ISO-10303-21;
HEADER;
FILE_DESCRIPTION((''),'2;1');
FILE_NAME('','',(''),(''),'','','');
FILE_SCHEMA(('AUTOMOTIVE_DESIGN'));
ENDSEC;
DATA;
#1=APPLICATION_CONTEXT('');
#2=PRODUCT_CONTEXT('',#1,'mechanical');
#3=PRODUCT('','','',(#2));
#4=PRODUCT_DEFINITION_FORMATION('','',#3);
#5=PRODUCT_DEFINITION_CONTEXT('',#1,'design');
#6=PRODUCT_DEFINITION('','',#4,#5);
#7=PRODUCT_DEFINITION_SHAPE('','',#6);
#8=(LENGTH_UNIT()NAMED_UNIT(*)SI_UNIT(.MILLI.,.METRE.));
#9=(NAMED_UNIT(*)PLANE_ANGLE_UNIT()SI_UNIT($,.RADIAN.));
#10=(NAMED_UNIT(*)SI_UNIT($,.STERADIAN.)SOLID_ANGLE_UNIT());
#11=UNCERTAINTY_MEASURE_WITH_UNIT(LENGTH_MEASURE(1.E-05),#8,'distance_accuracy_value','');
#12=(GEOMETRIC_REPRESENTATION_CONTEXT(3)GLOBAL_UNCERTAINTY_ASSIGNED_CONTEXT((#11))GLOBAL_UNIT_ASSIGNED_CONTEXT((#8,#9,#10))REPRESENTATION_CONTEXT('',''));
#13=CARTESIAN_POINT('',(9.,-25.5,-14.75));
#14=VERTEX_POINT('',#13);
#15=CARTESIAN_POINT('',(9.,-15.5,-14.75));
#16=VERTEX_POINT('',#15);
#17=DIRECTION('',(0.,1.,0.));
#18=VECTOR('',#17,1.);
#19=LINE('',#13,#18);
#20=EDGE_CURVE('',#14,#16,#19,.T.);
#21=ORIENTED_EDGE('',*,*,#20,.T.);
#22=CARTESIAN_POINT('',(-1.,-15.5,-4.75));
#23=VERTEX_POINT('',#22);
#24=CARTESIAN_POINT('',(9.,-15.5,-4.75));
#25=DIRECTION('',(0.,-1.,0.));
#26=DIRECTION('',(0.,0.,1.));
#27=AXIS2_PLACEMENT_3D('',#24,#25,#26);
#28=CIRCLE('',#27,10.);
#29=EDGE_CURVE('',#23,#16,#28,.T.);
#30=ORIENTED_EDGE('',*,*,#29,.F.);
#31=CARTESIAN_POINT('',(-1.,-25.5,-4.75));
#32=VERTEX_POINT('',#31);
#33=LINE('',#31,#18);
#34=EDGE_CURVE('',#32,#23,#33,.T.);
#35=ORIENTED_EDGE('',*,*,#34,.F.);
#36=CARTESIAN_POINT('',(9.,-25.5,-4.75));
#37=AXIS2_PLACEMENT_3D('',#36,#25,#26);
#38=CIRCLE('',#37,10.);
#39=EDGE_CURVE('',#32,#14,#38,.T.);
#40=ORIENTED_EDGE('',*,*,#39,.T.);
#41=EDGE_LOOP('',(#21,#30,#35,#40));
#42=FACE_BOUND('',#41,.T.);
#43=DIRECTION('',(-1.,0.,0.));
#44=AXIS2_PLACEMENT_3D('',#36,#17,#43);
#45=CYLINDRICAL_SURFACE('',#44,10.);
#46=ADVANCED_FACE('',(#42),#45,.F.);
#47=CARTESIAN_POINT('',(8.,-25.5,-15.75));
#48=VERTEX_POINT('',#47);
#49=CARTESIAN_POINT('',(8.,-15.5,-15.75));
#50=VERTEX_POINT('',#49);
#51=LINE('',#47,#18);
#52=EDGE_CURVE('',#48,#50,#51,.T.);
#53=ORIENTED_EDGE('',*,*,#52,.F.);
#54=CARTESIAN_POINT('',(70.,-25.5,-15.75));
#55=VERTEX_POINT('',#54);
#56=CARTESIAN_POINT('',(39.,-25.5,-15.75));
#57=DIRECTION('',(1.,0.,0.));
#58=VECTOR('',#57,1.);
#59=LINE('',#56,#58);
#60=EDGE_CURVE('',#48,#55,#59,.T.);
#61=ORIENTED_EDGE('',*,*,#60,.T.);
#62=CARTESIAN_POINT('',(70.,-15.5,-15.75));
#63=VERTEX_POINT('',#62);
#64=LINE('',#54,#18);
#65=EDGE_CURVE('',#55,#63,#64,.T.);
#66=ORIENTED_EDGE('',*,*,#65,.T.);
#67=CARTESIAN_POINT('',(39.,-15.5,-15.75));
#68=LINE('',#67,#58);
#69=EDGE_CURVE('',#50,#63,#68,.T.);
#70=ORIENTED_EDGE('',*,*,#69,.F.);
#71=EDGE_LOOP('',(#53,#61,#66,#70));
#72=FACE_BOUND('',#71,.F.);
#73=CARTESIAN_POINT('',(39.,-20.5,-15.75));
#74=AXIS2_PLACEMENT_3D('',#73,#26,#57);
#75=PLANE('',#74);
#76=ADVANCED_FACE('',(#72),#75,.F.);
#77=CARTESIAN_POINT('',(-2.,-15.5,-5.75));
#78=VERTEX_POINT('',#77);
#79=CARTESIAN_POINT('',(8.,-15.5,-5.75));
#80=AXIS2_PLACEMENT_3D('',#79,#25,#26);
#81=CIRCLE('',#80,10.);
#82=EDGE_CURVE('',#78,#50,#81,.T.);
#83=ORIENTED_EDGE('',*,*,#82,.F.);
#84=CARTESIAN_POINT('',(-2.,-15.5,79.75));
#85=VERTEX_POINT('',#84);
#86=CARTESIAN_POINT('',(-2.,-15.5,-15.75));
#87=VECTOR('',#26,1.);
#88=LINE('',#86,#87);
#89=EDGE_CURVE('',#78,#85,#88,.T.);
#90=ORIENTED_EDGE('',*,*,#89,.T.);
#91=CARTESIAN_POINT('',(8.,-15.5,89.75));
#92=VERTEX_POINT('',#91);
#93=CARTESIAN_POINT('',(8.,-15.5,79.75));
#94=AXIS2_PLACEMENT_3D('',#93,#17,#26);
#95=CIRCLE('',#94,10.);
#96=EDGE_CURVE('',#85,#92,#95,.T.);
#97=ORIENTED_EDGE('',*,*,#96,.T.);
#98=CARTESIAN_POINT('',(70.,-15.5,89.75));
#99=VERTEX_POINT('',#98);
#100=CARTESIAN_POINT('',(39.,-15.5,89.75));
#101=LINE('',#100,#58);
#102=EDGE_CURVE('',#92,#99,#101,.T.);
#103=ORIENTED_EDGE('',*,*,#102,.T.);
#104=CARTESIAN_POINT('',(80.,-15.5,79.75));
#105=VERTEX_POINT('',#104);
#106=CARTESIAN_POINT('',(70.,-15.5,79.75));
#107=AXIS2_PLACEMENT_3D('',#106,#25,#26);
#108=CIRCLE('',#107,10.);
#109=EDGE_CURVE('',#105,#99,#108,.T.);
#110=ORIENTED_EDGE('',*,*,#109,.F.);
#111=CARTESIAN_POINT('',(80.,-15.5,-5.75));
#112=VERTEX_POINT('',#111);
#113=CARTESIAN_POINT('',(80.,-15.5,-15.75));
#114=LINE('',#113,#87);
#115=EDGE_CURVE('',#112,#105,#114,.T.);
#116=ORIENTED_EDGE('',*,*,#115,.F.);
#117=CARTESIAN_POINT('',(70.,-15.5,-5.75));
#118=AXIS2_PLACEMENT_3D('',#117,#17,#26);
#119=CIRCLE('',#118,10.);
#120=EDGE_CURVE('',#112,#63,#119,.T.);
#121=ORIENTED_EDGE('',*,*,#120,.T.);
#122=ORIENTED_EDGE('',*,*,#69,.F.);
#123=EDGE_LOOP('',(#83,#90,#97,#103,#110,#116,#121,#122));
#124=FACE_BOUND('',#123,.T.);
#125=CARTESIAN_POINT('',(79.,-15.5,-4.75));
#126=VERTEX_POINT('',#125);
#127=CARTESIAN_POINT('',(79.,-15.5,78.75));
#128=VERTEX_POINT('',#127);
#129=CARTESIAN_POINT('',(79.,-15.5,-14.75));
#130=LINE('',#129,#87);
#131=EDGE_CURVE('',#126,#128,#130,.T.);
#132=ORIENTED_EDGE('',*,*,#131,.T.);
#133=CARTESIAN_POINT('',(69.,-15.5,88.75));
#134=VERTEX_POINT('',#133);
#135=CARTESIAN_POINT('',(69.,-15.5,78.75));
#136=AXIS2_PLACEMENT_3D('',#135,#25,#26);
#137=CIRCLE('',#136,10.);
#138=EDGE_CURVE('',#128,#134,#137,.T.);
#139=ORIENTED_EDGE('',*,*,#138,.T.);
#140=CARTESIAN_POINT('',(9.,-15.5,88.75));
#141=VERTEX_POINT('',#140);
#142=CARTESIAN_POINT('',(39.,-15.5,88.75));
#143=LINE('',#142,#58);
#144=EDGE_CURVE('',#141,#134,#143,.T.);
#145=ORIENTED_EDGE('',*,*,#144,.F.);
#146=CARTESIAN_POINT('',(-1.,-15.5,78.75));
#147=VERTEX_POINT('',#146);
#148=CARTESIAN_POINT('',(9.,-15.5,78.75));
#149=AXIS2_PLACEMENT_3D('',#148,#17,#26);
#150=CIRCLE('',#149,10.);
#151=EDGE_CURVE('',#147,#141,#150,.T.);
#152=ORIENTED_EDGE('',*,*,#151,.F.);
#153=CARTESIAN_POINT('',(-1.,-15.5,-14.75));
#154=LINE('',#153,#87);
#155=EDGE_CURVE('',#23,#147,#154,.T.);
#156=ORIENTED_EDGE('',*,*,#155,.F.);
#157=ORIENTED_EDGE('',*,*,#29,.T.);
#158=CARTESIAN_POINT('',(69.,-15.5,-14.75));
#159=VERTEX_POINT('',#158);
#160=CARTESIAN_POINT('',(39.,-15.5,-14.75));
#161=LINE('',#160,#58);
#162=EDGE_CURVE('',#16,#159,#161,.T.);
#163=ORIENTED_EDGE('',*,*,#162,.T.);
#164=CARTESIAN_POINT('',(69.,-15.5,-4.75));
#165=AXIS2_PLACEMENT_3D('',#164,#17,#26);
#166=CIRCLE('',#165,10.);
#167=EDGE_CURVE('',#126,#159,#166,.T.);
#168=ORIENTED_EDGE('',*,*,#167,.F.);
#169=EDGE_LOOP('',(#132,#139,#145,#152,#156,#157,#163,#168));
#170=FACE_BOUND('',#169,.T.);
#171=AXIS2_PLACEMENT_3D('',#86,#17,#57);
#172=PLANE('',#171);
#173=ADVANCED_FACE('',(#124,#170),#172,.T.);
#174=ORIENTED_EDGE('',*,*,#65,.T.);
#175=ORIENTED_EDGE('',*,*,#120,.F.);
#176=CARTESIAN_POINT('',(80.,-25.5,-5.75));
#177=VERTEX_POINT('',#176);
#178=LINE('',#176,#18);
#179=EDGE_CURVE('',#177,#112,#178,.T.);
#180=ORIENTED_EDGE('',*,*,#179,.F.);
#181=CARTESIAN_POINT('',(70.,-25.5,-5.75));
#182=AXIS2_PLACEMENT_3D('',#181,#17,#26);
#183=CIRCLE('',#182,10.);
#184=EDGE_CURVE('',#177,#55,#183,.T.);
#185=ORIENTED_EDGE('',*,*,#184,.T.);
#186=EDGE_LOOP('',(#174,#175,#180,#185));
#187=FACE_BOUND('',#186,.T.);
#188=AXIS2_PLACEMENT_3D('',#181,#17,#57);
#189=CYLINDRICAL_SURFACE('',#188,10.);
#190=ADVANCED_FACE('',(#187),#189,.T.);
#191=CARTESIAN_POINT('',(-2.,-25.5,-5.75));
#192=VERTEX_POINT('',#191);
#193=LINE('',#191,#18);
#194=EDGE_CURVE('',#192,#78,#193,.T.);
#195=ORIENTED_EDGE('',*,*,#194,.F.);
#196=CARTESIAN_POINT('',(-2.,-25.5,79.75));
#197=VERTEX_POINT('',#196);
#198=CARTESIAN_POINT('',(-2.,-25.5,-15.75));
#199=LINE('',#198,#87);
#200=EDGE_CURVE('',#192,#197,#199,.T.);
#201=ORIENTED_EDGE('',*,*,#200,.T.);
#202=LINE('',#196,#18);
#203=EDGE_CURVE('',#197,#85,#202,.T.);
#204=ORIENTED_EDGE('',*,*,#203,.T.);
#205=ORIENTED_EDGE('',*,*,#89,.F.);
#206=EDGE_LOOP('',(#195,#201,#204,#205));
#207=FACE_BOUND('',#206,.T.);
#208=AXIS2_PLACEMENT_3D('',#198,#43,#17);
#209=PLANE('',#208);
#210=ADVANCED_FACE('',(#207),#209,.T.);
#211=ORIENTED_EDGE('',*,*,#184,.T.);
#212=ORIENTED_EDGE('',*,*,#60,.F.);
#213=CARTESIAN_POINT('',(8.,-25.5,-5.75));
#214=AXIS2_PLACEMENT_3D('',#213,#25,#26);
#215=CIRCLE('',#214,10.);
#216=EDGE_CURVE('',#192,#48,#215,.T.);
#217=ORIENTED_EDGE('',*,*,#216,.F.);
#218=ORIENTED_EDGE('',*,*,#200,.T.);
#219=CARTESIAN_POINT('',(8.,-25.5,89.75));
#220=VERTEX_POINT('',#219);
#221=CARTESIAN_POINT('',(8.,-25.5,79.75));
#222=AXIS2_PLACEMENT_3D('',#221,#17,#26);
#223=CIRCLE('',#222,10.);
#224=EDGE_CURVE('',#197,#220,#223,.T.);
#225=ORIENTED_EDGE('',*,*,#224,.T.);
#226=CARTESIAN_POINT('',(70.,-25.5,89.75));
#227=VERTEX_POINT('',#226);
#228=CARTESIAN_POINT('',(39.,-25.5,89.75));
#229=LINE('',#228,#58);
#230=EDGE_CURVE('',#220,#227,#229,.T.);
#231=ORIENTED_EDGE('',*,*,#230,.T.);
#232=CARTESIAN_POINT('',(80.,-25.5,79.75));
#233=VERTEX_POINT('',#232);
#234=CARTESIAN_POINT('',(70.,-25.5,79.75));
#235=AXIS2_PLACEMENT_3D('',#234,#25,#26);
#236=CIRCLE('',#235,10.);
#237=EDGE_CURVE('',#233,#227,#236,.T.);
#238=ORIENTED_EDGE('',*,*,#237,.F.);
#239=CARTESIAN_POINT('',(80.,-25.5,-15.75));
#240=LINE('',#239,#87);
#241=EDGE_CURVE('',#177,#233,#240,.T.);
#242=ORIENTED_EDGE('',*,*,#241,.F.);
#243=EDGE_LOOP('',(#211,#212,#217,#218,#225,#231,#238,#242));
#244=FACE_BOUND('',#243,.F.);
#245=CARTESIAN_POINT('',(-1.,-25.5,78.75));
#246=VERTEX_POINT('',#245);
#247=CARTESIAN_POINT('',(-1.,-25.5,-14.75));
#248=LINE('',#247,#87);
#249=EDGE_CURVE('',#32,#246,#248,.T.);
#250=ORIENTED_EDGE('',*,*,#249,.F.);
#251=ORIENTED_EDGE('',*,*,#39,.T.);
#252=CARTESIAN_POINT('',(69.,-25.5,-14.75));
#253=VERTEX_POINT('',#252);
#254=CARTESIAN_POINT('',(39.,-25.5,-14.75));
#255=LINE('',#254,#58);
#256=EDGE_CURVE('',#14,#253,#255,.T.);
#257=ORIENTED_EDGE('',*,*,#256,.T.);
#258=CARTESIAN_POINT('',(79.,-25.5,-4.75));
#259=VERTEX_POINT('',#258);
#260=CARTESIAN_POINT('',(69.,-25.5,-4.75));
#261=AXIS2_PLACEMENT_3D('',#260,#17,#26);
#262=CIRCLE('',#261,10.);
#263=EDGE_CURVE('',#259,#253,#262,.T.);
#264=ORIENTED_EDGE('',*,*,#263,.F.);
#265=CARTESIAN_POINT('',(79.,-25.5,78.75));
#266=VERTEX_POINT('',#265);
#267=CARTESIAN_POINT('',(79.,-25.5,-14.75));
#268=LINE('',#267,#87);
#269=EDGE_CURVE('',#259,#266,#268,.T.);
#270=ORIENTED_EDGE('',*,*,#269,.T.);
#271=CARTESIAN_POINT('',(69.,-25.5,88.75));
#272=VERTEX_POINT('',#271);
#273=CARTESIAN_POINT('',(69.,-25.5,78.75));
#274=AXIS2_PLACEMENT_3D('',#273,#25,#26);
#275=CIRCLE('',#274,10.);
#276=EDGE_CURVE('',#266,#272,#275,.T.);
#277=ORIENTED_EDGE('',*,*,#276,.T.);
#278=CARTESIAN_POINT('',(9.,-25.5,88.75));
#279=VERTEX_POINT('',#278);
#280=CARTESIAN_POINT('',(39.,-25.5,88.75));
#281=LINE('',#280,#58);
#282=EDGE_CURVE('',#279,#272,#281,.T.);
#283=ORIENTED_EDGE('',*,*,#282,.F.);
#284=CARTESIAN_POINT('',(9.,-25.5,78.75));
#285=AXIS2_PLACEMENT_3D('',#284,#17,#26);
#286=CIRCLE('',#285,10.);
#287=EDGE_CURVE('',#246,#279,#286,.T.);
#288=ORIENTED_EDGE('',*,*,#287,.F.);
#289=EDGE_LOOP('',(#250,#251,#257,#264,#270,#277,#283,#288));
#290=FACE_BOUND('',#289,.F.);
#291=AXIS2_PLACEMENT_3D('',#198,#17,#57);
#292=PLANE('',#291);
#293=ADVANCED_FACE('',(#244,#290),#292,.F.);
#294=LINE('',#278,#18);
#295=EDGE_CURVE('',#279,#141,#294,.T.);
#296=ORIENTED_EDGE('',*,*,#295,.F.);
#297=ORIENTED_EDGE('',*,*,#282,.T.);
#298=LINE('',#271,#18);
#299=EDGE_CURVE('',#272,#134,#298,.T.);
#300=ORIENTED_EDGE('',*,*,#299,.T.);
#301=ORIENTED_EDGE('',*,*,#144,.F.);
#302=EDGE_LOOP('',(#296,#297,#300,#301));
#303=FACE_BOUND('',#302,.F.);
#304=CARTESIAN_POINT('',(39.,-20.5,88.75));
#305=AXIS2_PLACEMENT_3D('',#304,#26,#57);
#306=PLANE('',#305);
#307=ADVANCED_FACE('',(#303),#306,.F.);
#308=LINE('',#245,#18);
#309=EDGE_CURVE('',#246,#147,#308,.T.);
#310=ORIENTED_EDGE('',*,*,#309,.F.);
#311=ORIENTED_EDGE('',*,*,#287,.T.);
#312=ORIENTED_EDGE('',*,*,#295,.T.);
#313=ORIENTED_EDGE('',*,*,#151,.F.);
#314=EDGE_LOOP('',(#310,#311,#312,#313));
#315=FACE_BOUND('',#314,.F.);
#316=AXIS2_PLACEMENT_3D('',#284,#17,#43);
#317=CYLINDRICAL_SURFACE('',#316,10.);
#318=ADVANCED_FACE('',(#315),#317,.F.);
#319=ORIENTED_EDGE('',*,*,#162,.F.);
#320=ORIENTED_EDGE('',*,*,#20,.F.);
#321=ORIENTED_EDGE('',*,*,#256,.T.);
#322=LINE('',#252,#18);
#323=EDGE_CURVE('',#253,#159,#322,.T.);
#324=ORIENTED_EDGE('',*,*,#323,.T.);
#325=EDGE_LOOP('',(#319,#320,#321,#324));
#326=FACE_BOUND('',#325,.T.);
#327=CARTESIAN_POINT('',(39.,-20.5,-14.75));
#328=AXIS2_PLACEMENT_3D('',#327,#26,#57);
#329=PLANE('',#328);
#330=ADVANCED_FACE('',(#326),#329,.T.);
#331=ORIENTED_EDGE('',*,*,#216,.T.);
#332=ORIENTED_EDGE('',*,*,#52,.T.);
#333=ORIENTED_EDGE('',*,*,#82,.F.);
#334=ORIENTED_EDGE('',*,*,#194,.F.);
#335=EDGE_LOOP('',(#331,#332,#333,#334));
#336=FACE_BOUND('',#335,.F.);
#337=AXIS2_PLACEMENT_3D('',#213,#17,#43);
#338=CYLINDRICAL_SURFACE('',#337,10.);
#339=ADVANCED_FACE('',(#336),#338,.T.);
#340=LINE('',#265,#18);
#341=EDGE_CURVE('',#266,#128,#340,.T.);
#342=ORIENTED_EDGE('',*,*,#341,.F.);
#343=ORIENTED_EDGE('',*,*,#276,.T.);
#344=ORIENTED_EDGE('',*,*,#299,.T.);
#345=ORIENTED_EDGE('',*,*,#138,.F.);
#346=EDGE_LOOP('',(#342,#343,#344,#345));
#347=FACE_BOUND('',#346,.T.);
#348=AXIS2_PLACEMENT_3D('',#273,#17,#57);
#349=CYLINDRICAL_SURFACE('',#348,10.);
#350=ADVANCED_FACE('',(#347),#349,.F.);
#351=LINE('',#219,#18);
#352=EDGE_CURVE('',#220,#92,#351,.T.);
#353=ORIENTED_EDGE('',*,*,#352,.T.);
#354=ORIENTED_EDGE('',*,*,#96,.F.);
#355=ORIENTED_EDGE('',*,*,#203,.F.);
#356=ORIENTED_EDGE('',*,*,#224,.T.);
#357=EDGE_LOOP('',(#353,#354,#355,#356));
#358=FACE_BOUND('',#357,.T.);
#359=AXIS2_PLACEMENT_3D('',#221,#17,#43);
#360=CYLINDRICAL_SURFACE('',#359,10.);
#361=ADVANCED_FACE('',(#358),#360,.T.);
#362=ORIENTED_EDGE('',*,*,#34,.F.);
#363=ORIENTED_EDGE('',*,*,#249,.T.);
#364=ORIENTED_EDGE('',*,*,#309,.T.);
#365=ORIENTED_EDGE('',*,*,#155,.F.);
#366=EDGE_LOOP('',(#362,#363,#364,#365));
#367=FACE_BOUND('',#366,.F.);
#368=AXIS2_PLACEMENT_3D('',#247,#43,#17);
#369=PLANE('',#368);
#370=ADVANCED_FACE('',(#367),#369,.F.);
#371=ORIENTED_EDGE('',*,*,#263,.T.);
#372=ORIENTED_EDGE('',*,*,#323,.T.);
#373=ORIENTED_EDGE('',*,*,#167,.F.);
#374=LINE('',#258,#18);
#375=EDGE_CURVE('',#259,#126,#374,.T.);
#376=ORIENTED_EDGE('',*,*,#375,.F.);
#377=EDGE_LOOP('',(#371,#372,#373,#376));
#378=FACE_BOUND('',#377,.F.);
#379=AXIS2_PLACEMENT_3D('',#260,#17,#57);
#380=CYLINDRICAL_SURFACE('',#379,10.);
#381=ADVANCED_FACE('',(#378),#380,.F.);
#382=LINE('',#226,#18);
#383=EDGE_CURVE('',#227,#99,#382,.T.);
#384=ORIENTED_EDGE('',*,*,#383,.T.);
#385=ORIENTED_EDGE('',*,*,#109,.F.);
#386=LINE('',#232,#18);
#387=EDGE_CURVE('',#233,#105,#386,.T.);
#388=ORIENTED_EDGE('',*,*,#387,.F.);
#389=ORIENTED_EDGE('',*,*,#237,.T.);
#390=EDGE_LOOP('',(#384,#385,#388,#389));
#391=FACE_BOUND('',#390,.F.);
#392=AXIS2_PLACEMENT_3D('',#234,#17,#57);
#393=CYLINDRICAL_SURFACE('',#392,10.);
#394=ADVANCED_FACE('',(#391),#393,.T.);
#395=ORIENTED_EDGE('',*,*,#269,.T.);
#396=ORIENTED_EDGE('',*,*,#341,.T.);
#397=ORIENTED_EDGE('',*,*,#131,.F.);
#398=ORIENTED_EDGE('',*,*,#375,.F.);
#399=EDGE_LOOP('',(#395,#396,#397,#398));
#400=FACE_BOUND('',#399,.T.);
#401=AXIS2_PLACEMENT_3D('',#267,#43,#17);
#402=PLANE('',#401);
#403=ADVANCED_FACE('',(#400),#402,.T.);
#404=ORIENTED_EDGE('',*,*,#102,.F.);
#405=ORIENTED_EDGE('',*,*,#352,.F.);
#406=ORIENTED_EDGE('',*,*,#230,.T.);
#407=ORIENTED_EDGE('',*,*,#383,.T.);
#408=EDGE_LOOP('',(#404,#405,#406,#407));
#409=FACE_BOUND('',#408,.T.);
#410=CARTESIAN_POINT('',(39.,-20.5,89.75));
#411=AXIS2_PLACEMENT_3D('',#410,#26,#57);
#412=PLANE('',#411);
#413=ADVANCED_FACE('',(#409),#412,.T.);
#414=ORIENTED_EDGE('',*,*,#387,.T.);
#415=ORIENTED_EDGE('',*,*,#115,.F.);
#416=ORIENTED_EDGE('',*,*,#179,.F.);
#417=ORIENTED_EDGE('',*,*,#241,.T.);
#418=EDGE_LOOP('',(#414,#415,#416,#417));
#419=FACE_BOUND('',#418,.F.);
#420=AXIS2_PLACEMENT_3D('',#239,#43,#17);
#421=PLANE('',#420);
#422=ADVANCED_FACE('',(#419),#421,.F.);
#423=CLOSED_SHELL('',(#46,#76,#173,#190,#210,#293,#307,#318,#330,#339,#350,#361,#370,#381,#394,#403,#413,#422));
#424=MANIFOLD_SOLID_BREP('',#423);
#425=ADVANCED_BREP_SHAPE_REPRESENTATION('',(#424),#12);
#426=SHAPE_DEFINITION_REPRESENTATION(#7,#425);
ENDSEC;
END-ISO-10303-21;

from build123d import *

# Parameters (mm, degrees)
BOX028_W     = 80
BOX028_H     = 10
BOX028_DEPTH = 103.5
FILLET033_R  = 10
BOX029_W     = 82
BOX029_H     = 10
BOX029_DEPTH = 105.5
FILLET034_R  = 10


with BuildPart() as topridge002:
    # Box028 → Box028 (new body)
    with BuildSketch(Plane(origin=(-1, -26, -14.75), x_dir=(1, 0, 0), z_dir=(0, 0, 1))):
        with Locations((40, 5)):
            Rectangle(BOX028_W, BOX028_H)
    extrude(amount=BOX028_DEPTH)

    # Fillet033
    fillet033_edges = [topridge002.edges().sort_by_distance(p)[0] for p in [
        (-1, -21, 88.75),
        (-1, -21, -14.75),
        (79, -21, 88.75),
        (79, -21, -14.75),
    ]]
    fillet(fillet033_edges, radius=FILLET033_R)


with BuildPart() as topridge002_1:
    # Fillet033 placement: moved
    add(topridge002.part.moved(Location((0, 0.5, 0))))


with BuildPart() as topcut:
    # Box029 → Box029 (new body)
    with BuildSketch(Plane(origin=(-2, -27, -15.75), x_dir=(1, 0, 0), z_dir=(0, 0, 1))):
        with Locations((41, 5)):
            Rectangle(BOX029_W, BOX029_H)
    extrude(amount=BOX029_DEPTH)

    # Fillet034
    fillet034_edges = [topcut.edges().sort_by_distance(p)[0] for p in [
        (-2, -22, 89.75),
        (-2, -22, -15.75),
        (80, -22, 89.75),
        (80, -22, -15.75),
    ]]
    fillet(fillet034_edges, radius=FILLET034_R)


with BuildPart() as topcut_1:
    # Fillet034 placement: moved
    add(topcut.part.moved(Location((0, 1.5, 0))))

    # Cut009: cut topRidge002
    add(topridge002_1.part, mode=Mode.SUBTRACT)


solid = topcut_1.part
